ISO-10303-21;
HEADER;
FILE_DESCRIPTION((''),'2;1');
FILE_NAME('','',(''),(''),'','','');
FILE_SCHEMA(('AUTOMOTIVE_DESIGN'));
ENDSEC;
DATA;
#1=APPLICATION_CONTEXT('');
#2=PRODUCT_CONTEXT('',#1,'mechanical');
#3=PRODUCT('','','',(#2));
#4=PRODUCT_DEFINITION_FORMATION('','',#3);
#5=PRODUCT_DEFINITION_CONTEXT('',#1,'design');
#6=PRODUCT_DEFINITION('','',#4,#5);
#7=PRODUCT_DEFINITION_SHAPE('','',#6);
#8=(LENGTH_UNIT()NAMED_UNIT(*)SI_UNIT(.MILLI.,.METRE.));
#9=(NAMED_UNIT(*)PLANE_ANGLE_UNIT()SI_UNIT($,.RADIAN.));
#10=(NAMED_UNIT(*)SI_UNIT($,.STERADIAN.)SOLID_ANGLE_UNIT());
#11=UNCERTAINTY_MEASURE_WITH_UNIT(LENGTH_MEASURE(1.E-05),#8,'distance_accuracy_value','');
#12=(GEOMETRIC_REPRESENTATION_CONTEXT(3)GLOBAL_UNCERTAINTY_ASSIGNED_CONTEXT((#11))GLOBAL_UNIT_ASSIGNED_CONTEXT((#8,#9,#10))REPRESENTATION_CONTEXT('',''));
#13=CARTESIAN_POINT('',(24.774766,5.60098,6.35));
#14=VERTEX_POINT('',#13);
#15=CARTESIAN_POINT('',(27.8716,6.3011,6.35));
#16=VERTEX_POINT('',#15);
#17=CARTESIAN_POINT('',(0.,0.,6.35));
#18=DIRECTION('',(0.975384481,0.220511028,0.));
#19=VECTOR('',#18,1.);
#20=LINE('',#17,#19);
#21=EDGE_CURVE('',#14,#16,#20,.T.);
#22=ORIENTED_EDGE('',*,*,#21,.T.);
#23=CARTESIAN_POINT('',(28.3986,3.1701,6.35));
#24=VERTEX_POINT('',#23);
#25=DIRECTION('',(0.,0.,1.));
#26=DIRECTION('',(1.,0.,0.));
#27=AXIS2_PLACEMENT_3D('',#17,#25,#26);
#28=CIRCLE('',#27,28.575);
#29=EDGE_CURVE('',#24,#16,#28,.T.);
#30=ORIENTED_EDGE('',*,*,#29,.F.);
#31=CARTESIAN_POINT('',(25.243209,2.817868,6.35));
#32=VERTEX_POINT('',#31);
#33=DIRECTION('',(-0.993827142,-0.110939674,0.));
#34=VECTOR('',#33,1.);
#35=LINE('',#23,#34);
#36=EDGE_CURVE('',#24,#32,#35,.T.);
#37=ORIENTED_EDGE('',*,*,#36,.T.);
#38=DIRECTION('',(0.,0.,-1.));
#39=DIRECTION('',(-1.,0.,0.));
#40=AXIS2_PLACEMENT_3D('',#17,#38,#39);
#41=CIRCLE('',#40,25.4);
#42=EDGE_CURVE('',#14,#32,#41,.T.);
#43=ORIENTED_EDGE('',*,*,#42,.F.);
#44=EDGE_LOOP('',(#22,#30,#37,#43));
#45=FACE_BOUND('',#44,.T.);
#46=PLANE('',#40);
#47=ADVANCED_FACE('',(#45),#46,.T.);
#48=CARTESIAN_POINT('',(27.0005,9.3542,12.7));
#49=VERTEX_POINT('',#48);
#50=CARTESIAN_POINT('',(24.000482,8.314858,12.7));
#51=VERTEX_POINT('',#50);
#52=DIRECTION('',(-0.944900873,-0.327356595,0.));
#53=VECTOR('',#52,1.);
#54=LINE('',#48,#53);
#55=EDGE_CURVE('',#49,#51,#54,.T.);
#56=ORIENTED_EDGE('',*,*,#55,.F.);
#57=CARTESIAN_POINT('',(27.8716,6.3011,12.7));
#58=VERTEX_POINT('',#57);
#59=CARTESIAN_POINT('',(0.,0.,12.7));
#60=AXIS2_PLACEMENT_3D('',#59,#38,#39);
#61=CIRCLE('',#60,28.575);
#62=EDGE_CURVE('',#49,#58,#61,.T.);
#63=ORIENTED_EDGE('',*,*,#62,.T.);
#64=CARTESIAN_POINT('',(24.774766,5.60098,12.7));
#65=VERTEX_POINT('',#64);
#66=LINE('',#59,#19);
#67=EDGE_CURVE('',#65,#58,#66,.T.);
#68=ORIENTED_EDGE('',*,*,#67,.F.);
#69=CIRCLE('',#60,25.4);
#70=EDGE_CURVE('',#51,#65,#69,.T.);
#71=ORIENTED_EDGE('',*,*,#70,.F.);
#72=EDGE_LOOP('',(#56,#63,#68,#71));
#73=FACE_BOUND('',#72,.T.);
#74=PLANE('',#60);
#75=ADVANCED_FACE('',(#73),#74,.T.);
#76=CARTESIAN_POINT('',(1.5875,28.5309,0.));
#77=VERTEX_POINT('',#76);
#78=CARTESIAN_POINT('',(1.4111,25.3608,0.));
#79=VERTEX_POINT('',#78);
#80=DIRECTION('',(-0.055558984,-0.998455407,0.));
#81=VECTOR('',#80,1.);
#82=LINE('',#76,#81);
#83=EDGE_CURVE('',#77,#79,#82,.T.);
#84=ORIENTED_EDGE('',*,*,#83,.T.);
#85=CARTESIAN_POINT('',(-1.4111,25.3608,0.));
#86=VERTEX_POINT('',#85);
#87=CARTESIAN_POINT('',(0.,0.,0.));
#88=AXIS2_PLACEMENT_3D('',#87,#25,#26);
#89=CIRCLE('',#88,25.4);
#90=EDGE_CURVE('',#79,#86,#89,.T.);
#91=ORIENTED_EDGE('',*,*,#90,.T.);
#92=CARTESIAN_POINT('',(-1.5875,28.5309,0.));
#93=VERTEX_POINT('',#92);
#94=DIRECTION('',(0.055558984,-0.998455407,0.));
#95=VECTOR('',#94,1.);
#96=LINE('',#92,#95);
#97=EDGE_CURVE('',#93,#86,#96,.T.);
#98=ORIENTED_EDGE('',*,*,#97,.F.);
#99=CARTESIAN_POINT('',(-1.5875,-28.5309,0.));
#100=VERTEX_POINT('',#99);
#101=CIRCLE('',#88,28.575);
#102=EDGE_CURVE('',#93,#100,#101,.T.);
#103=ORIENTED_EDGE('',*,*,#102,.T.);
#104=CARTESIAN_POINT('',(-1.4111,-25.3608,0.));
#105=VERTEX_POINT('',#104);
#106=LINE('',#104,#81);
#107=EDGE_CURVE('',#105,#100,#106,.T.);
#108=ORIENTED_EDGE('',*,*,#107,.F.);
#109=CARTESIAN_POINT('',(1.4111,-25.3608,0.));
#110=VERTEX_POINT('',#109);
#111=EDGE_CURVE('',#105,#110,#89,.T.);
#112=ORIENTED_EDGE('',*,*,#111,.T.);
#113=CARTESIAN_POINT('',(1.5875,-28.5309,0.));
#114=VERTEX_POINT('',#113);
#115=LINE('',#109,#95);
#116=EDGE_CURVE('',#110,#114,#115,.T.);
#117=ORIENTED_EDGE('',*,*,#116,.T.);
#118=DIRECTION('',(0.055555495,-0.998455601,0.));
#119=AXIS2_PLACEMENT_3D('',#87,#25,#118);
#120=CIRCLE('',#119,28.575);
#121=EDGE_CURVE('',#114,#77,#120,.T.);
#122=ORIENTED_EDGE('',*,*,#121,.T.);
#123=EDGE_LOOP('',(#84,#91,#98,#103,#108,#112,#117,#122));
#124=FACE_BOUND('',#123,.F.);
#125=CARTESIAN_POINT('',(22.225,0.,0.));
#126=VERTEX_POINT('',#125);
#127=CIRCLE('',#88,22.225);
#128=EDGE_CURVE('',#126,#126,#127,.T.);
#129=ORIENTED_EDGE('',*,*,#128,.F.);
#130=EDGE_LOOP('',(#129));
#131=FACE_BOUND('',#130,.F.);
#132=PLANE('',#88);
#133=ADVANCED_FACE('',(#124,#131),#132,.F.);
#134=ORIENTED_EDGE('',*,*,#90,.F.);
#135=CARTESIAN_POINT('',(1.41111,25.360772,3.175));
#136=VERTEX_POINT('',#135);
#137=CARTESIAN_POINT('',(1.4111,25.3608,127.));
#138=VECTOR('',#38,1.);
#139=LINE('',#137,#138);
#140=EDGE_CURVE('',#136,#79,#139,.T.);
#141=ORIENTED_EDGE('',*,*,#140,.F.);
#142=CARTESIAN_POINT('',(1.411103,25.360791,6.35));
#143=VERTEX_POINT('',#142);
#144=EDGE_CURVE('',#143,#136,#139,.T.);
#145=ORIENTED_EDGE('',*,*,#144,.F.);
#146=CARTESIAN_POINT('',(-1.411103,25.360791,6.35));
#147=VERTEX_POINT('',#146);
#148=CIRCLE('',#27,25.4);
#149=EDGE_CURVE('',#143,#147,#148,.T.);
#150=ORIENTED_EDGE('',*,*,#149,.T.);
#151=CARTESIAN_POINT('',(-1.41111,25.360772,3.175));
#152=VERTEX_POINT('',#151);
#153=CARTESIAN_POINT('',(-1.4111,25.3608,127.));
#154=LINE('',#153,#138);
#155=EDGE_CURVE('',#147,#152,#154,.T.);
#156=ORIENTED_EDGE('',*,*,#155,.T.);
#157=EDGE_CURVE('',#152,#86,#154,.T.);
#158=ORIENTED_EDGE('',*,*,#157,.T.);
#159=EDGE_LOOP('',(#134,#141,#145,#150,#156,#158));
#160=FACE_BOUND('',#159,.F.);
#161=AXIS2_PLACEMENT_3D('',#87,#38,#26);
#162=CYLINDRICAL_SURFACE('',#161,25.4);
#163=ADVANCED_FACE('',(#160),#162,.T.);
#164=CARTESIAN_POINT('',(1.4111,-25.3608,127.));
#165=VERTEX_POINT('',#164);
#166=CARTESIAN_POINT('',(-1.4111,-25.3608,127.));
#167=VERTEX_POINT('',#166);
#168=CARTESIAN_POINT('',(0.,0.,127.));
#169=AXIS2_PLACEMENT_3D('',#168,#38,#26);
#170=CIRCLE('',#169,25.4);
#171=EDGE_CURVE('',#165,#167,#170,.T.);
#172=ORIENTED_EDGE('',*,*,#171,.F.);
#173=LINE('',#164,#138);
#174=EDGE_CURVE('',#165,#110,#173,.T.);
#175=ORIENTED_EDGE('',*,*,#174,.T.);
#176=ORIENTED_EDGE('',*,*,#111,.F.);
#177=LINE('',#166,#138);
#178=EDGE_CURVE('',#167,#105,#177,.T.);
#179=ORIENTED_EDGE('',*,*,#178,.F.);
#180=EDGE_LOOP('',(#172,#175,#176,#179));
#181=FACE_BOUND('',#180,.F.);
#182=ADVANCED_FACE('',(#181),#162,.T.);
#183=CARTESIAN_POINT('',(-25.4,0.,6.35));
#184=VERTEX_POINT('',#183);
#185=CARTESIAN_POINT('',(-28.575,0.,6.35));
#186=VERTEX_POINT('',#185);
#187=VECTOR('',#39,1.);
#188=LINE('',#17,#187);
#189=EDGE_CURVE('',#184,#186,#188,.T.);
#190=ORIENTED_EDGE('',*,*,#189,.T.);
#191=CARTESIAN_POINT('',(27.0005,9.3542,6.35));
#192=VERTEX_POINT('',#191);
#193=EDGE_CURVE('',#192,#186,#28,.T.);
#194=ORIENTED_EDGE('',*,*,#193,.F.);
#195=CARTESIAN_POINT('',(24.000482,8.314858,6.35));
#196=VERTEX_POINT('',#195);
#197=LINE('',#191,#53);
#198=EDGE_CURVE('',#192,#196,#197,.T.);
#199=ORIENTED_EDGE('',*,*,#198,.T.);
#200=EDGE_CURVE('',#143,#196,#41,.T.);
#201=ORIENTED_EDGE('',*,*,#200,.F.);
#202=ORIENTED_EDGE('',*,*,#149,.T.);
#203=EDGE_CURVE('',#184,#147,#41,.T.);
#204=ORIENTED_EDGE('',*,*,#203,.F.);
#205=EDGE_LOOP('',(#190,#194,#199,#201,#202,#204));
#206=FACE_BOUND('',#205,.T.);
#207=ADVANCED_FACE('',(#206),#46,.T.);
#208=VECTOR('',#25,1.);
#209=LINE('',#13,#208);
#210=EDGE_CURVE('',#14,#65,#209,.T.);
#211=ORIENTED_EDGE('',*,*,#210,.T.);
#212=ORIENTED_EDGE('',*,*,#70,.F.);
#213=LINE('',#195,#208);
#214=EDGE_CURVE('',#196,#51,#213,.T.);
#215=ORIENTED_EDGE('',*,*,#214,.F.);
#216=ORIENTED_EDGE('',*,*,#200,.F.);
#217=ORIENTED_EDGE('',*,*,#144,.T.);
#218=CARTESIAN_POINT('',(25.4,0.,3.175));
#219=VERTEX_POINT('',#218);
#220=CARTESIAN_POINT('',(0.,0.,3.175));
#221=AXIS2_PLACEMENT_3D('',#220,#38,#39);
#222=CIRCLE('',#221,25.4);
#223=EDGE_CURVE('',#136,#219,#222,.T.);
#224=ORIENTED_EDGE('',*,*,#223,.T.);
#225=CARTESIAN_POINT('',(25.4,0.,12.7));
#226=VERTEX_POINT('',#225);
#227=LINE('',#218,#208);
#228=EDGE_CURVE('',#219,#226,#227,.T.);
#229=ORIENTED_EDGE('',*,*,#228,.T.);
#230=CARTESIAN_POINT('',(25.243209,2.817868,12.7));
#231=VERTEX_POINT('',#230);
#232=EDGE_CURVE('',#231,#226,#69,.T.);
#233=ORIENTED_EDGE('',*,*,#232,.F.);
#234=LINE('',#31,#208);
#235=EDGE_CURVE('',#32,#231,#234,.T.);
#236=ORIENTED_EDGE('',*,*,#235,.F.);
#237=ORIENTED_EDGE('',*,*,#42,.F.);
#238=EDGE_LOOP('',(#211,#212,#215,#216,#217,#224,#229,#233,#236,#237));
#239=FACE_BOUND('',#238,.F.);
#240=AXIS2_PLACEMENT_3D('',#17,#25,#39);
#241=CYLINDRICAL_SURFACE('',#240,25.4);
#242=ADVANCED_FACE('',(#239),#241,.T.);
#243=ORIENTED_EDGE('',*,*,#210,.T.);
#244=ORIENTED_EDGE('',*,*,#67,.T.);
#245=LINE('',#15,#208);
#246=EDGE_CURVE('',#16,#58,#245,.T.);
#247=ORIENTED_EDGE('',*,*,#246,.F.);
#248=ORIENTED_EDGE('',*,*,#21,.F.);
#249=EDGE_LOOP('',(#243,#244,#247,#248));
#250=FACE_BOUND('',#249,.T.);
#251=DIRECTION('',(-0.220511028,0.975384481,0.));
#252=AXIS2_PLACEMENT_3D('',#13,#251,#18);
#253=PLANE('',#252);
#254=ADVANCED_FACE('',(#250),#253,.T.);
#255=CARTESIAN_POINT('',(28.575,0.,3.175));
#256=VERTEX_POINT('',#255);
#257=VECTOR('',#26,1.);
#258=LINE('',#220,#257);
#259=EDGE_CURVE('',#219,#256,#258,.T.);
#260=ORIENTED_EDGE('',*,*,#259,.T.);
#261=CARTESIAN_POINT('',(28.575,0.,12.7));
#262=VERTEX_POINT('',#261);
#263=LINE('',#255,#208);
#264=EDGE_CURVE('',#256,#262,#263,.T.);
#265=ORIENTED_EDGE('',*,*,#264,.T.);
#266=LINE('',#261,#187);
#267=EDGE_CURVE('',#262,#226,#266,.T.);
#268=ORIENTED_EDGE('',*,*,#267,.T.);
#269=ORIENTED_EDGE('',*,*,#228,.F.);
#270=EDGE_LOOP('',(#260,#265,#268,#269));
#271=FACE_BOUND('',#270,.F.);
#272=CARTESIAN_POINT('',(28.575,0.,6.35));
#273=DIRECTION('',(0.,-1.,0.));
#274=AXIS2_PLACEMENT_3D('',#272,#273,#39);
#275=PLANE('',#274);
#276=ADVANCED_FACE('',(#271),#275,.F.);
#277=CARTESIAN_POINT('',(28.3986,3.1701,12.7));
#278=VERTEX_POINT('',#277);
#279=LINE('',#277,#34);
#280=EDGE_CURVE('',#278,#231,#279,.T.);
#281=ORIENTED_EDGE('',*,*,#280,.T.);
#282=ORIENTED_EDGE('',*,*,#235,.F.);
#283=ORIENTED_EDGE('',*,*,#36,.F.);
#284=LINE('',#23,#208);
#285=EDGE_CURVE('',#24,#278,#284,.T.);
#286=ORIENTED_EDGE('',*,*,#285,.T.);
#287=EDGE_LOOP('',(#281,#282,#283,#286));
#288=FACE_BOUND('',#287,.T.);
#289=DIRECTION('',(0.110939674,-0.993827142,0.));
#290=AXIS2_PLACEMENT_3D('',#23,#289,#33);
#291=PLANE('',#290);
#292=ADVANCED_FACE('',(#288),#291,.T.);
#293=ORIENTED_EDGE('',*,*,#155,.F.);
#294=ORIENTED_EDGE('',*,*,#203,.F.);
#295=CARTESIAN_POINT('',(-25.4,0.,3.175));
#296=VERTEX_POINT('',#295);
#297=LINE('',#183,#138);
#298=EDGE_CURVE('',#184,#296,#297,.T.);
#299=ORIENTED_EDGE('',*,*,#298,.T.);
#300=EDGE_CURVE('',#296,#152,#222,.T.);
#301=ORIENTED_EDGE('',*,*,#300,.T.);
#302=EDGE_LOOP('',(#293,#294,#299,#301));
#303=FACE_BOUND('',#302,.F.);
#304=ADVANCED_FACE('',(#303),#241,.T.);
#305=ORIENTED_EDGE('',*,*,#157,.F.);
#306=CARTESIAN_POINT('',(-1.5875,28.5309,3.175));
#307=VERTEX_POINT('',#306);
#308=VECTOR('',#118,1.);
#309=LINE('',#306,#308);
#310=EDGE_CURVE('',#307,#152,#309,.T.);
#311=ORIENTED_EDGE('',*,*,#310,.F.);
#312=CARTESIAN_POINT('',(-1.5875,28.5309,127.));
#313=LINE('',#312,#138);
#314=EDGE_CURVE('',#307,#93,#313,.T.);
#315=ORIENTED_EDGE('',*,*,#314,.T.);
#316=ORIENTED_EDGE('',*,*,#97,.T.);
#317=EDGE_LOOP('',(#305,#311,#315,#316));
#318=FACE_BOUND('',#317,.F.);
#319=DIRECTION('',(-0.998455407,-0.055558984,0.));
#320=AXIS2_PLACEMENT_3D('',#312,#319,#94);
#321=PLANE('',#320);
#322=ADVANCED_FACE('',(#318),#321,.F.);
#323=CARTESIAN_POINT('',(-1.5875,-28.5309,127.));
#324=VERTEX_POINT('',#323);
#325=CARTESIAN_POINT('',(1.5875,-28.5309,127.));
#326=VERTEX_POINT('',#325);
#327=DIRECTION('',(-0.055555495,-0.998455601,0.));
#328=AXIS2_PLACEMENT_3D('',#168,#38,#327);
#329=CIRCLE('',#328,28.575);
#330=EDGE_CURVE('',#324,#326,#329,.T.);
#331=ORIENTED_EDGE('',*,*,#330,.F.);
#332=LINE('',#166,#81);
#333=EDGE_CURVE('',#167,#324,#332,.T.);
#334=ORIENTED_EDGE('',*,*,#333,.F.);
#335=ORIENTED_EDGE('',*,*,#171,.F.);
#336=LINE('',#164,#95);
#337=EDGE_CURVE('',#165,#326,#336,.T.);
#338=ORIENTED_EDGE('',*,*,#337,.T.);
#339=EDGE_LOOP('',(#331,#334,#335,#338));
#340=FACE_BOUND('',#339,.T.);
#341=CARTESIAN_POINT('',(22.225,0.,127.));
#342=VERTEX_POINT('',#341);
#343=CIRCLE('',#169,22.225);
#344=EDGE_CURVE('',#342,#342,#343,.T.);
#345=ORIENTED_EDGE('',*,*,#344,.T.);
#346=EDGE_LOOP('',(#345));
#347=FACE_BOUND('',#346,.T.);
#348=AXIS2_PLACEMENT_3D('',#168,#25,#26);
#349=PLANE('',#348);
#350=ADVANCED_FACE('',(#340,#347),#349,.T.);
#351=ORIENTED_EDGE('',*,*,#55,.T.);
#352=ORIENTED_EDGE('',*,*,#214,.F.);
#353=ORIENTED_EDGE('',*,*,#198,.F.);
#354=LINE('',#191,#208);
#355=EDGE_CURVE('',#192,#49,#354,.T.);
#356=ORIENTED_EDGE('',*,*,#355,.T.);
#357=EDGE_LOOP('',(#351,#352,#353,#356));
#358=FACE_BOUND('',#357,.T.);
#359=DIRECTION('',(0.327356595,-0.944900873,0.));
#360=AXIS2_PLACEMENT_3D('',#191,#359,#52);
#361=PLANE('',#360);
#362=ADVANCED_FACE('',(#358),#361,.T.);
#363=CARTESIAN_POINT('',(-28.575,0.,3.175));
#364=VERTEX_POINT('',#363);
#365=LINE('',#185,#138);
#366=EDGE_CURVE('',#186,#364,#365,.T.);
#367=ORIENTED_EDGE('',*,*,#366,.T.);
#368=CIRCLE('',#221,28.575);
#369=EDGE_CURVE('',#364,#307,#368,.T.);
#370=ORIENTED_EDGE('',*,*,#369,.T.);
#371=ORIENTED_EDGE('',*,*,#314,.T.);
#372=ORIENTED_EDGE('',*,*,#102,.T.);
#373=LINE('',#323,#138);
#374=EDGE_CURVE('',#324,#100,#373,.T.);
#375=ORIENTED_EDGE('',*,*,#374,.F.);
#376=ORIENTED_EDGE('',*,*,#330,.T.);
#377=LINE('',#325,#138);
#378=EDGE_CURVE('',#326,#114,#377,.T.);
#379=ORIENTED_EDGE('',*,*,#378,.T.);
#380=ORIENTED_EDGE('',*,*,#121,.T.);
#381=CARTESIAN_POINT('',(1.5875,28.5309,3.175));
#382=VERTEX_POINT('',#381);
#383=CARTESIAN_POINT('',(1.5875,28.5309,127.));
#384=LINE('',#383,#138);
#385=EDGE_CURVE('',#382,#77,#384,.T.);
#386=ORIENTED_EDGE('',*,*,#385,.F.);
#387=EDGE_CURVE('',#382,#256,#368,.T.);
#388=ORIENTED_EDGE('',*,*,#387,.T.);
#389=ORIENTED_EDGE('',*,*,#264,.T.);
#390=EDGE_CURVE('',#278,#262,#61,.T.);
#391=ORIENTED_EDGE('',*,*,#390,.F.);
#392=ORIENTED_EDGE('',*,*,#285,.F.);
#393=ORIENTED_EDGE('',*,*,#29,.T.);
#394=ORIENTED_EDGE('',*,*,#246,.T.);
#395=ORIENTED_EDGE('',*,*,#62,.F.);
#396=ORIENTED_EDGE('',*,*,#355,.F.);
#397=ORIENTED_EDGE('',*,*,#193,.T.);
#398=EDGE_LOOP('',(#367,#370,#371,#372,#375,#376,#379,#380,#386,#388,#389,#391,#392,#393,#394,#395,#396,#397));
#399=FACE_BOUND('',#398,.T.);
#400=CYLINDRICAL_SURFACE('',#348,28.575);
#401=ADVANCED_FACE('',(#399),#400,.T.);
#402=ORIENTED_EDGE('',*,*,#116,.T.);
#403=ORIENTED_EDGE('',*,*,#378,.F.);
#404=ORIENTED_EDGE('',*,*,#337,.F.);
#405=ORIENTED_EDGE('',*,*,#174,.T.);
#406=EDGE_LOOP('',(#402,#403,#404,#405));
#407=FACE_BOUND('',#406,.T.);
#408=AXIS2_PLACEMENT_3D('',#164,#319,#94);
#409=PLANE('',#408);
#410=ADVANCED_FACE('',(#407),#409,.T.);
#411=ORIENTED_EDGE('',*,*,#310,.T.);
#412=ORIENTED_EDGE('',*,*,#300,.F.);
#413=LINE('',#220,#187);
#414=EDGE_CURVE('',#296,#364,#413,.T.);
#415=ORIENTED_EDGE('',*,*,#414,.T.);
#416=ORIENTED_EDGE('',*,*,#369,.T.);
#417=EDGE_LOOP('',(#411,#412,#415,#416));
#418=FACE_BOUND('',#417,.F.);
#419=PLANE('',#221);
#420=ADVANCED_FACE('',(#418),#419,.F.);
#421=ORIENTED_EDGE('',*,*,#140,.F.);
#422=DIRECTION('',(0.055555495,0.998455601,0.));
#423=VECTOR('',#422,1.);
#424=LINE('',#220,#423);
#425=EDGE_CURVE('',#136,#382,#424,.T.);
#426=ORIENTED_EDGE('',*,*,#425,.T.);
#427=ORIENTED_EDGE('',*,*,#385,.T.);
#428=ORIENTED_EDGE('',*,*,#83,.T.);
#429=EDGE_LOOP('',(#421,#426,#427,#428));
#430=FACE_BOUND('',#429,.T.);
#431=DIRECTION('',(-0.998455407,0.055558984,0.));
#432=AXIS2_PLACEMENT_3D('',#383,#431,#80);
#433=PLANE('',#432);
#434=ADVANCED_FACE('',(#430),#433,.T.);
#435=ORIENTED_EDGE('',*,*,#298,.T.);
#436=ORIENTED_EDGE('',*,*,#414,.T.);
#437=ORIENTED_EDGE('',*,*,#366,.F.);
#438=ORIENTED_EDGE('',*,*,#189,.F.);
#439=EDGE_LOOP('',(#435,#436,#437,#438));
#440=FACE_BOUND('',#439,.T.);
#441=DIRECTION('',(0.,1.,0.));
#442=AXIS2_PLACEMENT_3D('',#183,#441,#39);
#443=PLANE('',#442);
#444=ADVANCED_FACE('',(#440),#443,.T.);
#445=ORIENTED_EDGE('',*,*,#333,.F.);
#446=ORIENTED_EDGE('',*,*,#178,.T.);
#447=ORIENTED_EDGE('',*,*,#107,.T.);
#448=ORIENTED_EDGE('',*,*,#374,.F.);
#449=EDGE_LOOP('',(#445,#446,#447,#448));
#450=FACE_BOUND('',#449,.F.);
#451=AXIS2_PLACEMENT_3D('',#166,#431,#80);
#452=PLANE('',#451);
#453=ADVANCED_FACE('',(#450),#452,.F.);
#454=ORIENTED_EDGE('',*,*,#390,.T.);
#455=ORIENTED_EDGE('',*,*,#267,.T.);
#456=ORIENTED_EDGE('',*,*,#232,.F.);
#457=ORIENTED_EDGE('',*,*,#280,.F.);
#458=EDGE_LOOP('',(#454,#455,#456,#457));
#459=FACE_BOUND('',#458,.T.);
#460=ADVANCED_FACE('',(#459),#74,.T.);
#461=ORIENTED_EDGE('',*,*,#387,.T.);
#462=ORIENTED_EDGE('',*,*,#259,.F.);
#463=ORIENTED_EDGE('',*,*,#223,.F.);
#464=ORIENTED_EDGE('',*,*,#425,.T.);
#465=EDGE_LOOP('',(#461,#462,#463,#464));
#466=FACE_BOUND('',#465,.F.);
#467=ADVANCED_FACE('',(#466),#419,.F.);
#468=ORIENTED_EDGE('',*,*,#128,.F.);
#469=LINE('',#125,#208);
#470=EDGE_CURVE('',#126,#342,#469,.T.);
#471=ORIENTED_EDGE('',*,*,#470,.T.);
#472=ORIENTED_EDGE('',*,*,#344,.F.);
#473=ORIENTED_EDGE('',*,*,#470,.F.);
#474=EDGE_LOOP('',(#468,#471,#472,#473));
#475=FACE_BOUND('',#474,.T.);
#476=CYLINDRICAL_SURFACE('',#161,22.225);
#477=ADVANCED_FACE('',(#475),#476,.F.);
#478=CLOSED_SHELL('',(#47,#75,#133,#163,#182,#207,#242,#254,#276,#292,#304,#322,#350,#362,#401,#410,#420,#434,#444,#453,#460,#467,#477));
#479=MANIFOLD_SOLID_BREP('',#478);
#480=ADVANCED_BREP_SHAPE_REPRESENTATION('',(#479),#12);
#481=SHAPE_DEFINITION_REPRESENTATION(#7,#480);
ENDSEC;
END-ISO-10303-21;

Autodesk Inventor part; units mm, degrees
ref_plane "YZ Plane" through (0, 0, 0) normal (1, 0, 0) x (0, 1, 0)
ref_plane "XZ Plane" through (0, 0, 0) normal (0, 1, 0) x (-1, 0, 0)
ref_plane "XY Plane" through (0, 0, 0) normal (0, 0, 1) x (1, 0, 0)
sketch "Sketch1" plane through (0, 0, 0) normal (0, 0, 1) x (1, 0, 0)
  circle A0 centre (0, 0) radius 25.4
  circle A1 centre (0, 0) radius 22.225
  line L0 (0, 0) -> (0, 25.4)
  line L1 (0, 0) -> (19.2474, -11.1125)
  line L2 (0, 0) -> (-19.2474, -11.1125)
  line L3 (-19.2474, -11.1125) -> (-21.997, -12.7)
  line L4 (19.2474, -11.1125) -> (21.997, -12.7)
  arc A2 (9.6237, 23.5063) -> (-9.6237, 23.5063) centre (0, 0) ccw
  arc A3 (2.54, 25.2727) -> (-2.54, 25.2727) centre (0, 0) ccw
  arc A4 (21.2995, -13.8381) -> (22.9699, -10.8419) centre (0, 0) ccw
  arc A5 (20.5909, -14.872) -> (23.1385, -10.477) centre (0, 0) ccw
  dimension "d0" = 50.8
  dimension "d1" = 44.45
  dimension "d2" = 120
  dimension "d3" = 120
  dimension "d5" = 25.4
extrude "Extrusion1" add sketch "Sketch1" along normal blind 127 contours A0 L4 A1 L0 | L0 A1 L3 A0 | A0 L3 A1 L4
sketch "Sketch9" plane through (0, 0, 127) normal (0, 0, 1) x (1, 0, 0)
  circle A0 centre (0, 0) radius 28.575
  circle A1 centre (0, 0) radius 25.4
  circle A2 centre (0, 0) radius 25.4 projected
  arc A3 (1.4111, 25.3608) -> (-1.4111, 25.3608) centre (0, 0) ccw
  line L0 (1.5875, 28.5309) -> (1.4111, 25.3608)
  line L1 (-1.4111, -25.3608) -> (-1.5875, -28.5309)
  line L2 (-1.5875, 28.5309) -> (-1.4111, 25.3608)
  line L3 (1.4111, -25.3608) -> (1.5875, -28.5309)
  point P0 (-1.4111, 25.3608)
  dimension "d62" = 57.15
extrude "Extrusion7" add sketch "Sketch9" against normal blind 127 contours A0 L3 A1 L0 | L2 A1 L1 A0
extrude "Extrusion8" add sketch "Sketch9" against normal blind 120.65 contours L0 A1 L2 A0
ref_plane "Work Plane7" through (0, 0, 6.35) normal (0, 0, -1) x (-1, 0, 0)
sketch "Sketch10" plane through (0, 0, 6.35) normal (0, 0, -1) x (-1, 0, 0)
  circle A0 centre (0, 0) radius 25.4
  circle A1 centre (0, 0) radius 28.575
  line L0 (1.4111, -25.3608) -> (1.5875, -28.5309) projected
  line L1 (0, 0) -> (28.575, 0)
  arc A2 (1.5875, -28.5309) -> (1.5875, 28.5309) centre (0, 0) ccw projected
  line L2 (0, 0) -> (-28.575, 0)
  arc A3 (1.5875, -28.5309) -> (-1.5875, -28.5309) centre (0, 0) ccw projected
  line L3 (1.5875, 28.5309) -> (0, 0)
  line L4 (0, 0) -> (-1.5875, 28.5309)
  point P0 (25.4, 0)
  point P1 (-25.4, 0)
  point P2 (1.4111, 25.3608)
  point P3 (-1.4111, 25.3608)
extrude "Extrusion10" cut sketch "Sketch10" along normal blind 3.175 contours A0 L3 A1 L1 | L2 A1 L4 A0
sketch "Sketch11" plane through (0, 0, 6.35) normal (0, 0, -1) x (-1, 0, 0)
  line L0 (-28.575, 0) -> (-25.4, 0) projected
  line L1 (0, 0) -> (-28.575, 0)
  line L2 (-28.575, 0) -> (0, 0)
  arc A0 (28.575, 0) -> (-28.575, 0) centre (0, 0) ccw projected
  line L3 (-28.575, 0) -> (-28.3986, 3.1701)
  arc A1 (-1.5875, 28.5309) -> (-1.5875, -28.5309) centre (0, 0) ccw projected
  line L4 (-28.3986, 3.1701) -> (0, 0)
  line L5 (-28.3986, 3.1701) -> (-27.8716, 6.3011)
  line L6 (-27.8716, 6.3011) -> (-27.0005, 9.3542)
  line L7 (0, 0) -> (-27.8716, 6.3011)
  line L8 (-27.0005, 9.3542) -> (0, 0)
  arc A2 (-1.4111, -25.3608) -> (1.4111, -25.3608) centre (0, 0) ccw projected
  circle A3 centre (0, 0) radius 25.4
  point P0 (-24.7748, 5.6009)
  point P1 (-24.0005, 8.3149)
  point P2 (-25.2432, 2.8179)
  dimension "d77" = 3.175
  dimension "d78" = 3.175
  dimension "d79" = 3.175
extrude "Extrusion11" cut sketch "Sketch11" against normal blind 6.35 contours L3 L4 A3 L0 | A0 L3 | A0 L6 | L6 L8 A3 L7
properties part number "Maze"
